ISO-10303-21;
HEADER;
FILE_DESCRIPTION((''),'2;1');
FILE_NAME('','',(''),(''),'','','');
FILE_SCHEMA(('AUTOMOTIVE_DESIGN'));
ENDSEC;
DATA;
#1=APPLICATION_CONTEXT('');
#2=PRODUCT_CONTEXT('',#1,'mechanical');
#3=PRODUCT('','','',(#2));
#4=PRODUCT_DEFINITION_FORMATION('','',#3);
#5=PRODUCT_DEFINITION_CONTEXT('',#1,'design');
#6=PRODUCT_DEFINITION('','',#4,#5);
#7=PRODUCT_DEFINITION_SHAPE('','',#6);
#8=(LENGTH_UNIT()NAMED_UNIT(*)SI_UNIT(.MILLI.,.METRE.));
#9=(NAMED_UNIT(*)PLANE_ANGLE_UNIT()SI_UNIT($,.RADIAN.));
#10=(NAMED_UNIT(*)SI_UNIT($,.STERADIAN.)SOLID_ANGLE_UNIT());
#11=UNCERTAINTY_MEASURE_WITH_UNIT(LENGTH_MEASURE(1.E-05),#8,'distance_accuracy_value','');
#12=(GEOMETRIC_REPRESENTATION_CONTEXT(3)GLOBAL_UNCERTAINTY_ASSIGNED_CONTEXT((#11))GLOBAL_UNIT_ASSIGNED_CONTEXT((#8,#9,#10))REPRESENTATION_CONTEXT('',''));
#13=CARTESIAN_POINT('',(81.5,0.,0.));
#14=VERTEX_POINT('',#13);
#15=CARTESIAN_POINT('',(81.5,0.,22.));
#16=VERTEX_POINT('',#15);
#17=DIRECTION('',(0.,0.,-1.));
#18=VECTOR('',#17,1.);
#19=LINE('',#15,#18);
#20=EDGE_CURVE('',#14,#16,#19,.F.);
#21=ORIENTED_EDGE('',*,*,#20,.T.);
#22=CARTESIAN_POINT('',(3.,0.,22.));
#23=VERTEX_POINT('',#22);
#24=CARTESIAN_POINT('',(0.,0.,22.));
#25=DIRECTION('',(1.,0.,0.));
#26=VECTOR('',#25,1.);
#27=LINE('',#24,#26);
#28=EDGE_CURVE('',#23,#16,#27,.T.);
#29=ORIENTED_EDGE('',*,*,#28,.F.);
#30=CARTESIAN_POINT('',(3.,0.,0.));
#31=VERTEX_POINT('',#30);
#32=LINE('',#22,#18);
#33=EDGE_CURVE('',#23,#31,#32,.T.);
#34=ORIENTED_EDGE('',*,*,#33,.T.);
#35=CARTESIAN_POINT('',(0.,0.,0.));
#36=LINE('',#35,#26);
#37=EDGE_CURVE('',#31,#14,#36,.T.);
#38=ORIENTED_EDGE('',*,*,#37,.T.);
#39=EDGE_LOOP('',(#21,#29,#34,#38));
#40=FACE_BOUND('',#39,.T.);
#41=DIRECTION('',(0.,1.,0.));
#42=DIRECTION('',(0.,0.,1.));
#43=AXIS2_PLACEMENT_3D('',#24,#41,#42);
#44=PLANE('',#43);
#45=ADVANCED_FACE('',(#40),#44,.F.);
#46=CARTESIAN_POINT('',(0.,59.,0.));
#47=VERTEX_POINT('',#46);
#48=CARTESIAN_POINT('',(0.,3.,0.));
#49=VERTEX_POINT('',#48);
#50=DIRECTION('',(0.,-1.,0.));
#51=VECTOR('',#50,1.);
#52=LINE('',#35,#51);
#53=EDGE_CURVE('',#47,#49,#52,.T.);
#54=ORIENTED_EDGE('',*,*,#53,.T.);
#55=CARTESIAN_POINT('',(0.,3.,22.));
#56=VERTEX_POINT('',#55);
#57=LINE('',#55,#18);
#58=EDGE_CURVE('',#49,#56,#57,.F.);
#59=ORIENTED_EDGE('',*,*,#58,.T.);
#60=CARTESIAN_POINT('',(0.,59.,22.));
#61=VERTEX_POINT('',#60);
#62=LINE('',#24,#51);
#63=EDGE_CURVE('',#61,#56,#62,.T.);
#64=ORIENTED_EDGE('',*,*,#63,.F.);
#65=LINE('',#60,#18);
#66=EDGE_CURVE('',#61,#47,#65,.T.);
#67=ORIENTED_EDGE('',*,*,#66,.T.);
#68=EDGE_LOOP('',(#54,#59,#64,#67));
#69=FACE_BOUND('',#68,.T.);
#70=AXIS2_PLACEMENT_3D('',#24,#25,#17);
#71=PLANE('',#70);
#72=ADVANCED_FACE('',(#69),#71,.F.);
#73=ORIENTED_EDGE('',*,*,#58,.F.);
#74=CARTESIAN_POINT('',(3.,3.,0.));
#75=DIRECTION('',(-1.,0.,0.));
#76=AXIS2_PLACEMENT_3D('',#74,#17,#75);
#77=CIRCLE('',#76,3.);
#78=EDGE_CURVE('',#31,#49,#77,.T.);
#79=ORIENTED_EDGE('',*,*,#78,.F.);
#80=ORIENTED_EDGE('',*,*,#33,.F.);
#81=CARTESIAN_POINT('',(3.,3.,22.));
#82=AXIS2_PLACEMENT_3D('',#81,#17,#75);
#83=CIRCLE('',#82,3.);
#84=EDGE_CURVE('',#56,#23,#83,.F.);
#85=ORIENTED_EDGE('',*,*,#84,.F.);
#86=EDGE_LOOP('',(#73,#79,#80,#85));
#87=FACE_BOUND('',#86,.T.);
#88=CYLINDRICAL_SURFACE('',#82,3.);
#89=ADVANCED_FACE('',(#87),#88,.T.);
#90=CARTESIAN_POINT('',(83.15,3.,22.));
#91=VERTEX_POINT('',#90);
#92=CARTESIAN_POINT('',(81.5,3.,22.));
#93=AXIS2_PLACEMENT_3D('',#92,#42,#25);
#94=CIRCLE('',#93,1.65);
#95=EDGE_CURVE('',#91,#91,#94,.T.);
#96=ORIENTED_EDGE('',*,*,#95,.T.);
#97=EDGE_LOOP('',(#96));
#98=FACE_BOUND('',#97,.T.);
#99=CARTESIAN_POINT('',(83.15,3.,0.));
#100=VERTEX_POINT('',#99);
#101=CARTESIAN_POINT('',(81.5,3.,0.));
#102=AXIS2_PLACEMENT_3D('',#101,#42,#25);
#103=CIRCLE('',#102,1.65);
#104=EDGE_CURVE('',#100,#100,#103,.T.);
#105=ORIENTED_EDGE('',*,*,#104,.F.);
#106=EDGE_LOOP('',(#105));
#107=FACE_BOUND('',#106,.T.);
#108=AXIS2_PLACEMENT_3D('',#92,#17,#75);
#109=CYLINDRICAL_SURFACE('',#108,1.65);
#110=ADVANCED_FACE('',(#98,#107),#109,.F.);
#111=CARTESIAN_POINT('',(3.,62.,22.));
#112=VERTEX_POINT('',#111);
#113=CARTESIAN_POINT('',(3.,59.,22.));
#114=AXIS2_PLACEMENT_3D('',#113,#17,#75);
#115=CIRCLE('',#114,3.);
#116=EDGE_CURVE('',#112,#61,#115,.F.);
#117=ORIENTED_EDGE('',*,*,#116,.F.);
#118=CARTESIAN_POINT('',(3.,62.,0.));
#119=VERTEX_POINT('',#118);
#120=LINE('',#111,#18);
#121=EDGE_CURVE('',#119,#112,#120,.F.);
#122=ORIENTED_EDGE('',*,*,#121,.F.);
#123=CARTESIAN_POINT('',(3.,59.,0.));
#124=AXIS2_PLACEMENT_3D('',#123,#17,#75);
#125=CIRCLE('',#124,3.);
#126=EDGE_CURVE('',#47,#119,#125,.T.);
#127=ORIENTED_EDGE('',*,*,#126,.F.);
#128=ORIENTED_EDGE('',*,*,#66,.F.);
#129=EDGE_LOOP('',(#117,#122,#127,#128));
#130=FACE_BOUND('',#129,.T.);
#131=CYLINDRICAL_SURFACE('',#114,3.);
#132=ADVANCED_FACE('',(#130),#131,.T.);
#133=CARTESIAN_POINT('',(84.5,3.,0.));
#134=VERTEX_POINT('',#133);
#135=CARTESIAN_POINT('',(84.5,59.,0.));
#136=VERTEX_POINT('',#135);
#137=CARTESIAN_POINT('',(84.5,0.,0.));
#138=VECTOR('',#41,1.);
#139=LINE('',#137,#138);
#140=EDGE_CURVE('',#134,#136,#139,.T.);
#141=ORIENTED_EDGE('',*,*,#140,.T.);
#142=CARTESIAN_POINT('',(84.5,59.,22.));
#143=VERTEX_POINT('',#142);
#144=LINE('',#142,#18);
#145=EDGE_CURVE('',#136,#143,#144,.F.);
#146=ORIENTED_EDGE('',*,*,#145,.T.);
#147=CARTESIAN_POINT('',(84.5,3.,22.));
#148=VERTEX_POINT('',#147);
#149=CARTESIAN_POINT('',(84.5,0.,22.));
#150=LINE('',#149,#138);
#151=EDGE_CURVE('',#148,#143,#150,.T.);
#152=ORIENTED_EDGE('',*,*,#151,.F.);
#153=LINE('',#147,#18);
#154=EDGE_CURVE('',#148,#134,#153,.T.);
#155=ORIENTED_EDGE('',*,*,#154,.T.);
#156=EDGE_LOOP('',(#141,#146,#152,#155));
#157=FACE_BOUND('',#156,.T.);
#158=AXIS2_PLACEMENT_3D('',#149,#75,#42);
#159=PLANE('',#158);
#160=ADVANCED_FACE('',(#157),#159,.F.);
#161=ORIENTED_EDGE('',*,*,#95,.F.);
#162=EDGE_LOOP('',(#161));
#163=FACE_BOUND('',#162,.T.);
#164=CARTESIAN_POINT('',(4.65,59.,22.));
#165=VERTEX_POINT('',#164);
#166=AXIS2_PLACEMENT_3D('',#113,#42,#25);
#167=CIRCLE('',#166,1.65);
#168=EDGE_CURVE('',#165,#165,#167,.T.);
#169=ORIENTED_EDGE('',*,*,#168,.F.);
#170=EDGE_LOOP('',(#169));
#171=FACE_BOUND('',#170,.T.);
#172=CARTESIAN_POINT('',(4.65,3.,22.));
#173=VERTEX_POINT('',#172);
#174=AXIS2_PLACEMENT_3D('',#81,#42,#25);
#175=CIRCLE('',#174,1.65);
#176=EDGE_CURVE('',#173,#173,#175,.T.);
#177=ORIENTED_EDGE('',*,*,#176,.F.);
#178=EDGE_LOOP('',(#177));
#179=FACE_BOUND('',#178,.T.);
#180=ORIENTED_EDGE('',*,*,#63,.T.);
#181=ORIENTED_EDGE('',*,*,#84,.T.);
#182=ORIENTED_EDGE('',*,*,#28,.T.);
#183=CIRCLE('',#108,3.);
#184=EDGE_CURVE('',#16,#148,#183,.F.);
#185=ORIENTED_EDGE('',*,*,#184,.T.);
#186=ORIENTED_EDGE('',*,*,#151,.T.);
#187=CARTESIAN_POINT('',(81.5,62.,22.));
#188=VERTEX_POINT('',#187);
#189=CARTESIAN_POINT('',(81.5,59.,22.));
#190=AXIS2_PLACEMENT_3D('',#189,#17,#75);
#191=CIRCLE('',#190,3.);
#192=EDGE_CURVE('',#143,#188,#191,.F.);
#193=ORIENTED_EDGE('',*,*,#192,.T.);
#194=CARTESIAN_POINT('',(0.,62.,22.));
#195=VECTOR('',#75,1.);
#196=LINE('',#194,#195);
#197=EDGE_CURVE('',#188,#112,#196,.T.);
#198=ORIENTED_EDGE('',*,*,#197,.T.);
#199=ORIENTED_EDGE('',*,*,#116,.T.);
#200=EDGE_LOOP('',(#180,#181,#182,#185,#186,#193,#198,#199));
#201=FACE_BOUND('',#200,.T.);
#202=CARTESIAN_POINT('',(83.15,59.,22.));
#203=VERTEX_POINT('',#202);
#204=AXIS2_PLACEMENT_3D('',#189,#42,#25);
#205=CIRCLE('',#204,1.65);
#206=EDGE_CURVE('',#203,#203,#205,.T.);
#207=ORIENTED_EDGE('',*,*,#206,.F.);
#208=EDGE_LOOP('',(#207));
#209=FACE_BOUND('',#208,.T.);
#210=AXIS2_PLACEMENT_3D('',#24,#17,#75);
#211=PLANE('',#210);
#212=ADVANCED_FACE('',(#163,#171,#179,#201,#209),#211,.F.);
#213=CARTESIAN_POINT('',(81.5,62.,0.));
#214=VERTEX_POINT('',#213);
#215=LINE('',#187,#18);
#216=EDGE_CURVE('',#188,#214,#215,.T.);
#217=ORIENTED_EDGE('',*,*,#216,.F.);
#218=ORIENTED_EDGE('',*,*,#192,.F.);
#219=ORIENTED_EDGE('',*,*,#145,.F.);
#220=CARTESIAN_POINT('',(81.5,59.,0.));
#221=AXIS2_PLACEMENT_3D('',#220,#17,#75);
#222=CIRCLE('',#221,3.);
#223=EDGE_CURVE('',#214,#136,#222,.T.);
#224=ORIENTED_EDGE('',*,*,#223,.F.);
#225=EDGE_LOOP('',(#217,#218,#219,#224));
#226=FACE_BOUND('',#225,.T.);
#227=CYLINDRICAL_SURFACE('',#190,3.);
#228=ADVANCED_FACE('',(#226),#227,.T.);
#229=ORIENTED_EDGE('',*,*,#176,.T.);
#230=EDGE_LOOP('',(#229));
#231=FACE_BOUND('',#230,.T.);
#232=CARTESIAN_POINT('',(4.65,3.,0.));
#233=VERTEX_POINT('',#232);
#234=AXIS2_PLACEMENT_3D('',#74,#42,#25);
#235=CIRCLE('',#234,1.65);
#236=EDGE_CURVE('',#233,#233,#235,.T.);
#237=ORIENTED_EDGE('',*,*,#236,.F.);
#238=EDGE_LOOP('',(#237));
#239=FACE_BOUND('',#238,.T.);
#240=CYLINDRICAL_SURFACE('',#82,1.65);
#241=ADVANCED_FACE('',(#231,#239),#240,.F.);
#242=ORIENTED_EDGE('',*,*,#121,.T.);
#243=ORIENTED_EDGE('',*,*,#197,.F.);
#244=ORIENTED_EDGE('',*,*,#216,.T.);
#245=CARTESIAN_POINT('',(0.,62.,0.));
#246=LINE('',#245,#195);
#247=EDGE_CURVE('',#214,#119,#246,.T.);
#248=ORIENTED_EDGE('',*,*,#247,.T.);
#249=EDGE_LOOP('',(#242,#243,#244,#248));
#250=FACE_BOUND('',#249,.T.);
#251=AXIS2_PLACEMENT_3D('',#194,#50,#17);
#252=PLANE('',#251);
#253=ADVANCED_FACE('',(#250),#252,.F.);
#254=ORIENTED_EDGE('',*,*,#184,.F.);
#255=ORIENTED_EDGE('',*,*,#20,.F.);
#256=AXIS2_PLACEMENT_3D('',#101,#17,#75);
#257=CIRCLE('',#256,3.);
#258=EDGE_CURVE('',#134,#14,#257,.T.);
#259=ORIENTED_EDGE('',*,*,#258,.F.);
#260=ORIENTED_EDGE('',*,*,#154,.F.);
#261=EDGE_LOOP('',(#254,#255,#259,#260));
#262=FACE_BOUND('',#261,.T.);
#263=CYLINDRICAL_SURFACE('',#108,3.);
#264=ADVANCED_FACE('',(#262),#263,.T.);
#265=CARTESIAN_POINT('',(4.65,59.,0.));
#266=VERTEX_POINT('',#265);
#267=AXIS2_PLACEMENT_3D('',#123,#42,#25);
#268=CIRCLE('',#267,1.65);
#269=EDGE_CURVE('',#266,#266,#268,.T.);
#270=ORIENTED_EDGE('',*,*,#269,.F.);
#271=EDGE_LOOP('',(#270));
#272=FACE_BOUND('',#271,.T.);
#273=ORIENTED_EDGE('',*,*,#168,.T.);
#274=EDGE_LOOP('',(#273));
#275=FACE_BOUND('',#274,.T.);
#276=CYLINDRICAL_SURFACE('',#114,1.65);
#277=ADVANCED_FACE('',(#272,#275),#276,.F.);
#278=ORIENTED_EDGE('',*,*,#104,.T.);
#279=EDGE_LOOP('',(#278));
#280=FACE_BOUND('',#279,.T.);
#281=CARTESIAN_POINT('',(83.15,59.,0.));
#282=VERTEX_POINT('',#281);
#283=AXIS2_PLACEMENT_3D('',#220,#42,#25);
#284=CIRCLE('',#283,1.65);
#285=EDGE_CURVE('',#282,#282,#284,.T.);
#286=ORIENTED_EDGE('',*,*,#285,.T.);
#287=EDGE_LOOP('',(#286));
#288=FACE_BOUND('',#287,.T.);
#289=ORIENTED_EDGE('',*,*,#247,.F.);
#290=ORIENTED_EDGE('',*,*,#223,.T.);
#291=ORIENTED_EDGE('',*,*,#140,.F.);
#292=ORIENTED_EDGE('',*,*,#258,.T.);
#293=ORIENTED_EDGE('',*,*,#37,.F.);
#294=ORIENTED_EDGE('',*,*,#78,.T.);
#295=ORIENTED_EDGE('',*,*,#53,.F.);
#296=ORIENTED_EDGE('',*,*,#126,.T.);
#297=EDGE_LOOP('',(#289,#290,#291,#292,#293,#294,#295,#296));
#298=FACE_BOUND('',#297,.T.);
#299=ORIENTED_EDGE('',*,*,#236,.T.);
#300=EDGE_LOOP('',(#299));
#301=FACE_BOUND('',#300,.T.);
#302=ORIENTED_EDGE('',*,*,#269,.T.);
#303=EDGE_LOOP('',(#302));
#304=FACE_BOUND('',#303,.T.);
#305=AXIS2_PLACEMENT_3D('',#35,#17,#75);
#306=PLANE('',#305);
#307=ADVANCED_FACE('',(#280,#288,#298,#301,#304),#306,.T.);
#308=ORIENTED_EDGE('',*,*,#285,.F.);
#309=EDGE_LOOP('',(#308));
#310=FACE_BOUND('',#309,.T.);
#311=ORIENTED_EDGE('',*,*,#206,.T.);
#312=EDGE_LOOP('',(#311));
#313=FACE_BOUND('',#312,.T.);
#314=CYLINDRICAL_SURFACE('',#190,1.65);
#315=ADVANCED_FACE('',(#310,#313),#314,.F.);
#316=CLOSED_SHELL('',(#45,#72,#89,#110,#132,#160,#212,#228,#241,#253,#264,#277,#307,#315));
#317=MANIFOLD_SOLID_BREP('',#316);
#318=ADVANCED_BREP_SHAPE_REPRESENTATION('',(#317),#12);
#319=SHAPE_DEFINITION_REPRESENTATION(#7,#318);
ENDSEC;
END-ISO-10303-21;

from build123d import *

# Parameters (mm, degrees)
CROQUIS1_W              = 84.5
CROQUIS1_H              = 62
CROQUIS1_R              = 1.65
SALIENTE_EXTRUIR1_DEPTH = 22
REDONDEO1_R             = 3


with BuildPart() as part:
    # Croquis1 → Saliente-Extruir1 (new body)
    with BuildSketch(Plane.XY):
        with Locations((42.25, 31)):
            Rectangle(CROQUIS1_W, CROQUIS1_H)
        with Locations((3, 3)):
            Circle(CROQUIS1_R, mode=Mode.SUBTRACT)
        with Locations((81.5, 3)):
            Circle(CROQUIS1_R, mode=Mode.SUBTRACT)
        with Locations((81.5, 59)):
            Circle(CROQUIS1_R, mode=Mode.SUBTRACT)
        with Locations((3, 59)):
            Circle(CROQUIS1_R, mode=Mode.SUBTRACT)
    extrude(amount=SALIENTE_EXTRUIR1_DEPTH)

    # Redondeo1
    redondeo1_edges = [part.edges().sort_by_distance(p)[0] for p in [
        (0, 62, 11),
        (84.5, 62, 11),
        (84.5, 0, 11),
        (0, 0, 11),
    ]]
    fillet(redondeo1_edges, radius=REDONDEO1_R)


solid = part.part
